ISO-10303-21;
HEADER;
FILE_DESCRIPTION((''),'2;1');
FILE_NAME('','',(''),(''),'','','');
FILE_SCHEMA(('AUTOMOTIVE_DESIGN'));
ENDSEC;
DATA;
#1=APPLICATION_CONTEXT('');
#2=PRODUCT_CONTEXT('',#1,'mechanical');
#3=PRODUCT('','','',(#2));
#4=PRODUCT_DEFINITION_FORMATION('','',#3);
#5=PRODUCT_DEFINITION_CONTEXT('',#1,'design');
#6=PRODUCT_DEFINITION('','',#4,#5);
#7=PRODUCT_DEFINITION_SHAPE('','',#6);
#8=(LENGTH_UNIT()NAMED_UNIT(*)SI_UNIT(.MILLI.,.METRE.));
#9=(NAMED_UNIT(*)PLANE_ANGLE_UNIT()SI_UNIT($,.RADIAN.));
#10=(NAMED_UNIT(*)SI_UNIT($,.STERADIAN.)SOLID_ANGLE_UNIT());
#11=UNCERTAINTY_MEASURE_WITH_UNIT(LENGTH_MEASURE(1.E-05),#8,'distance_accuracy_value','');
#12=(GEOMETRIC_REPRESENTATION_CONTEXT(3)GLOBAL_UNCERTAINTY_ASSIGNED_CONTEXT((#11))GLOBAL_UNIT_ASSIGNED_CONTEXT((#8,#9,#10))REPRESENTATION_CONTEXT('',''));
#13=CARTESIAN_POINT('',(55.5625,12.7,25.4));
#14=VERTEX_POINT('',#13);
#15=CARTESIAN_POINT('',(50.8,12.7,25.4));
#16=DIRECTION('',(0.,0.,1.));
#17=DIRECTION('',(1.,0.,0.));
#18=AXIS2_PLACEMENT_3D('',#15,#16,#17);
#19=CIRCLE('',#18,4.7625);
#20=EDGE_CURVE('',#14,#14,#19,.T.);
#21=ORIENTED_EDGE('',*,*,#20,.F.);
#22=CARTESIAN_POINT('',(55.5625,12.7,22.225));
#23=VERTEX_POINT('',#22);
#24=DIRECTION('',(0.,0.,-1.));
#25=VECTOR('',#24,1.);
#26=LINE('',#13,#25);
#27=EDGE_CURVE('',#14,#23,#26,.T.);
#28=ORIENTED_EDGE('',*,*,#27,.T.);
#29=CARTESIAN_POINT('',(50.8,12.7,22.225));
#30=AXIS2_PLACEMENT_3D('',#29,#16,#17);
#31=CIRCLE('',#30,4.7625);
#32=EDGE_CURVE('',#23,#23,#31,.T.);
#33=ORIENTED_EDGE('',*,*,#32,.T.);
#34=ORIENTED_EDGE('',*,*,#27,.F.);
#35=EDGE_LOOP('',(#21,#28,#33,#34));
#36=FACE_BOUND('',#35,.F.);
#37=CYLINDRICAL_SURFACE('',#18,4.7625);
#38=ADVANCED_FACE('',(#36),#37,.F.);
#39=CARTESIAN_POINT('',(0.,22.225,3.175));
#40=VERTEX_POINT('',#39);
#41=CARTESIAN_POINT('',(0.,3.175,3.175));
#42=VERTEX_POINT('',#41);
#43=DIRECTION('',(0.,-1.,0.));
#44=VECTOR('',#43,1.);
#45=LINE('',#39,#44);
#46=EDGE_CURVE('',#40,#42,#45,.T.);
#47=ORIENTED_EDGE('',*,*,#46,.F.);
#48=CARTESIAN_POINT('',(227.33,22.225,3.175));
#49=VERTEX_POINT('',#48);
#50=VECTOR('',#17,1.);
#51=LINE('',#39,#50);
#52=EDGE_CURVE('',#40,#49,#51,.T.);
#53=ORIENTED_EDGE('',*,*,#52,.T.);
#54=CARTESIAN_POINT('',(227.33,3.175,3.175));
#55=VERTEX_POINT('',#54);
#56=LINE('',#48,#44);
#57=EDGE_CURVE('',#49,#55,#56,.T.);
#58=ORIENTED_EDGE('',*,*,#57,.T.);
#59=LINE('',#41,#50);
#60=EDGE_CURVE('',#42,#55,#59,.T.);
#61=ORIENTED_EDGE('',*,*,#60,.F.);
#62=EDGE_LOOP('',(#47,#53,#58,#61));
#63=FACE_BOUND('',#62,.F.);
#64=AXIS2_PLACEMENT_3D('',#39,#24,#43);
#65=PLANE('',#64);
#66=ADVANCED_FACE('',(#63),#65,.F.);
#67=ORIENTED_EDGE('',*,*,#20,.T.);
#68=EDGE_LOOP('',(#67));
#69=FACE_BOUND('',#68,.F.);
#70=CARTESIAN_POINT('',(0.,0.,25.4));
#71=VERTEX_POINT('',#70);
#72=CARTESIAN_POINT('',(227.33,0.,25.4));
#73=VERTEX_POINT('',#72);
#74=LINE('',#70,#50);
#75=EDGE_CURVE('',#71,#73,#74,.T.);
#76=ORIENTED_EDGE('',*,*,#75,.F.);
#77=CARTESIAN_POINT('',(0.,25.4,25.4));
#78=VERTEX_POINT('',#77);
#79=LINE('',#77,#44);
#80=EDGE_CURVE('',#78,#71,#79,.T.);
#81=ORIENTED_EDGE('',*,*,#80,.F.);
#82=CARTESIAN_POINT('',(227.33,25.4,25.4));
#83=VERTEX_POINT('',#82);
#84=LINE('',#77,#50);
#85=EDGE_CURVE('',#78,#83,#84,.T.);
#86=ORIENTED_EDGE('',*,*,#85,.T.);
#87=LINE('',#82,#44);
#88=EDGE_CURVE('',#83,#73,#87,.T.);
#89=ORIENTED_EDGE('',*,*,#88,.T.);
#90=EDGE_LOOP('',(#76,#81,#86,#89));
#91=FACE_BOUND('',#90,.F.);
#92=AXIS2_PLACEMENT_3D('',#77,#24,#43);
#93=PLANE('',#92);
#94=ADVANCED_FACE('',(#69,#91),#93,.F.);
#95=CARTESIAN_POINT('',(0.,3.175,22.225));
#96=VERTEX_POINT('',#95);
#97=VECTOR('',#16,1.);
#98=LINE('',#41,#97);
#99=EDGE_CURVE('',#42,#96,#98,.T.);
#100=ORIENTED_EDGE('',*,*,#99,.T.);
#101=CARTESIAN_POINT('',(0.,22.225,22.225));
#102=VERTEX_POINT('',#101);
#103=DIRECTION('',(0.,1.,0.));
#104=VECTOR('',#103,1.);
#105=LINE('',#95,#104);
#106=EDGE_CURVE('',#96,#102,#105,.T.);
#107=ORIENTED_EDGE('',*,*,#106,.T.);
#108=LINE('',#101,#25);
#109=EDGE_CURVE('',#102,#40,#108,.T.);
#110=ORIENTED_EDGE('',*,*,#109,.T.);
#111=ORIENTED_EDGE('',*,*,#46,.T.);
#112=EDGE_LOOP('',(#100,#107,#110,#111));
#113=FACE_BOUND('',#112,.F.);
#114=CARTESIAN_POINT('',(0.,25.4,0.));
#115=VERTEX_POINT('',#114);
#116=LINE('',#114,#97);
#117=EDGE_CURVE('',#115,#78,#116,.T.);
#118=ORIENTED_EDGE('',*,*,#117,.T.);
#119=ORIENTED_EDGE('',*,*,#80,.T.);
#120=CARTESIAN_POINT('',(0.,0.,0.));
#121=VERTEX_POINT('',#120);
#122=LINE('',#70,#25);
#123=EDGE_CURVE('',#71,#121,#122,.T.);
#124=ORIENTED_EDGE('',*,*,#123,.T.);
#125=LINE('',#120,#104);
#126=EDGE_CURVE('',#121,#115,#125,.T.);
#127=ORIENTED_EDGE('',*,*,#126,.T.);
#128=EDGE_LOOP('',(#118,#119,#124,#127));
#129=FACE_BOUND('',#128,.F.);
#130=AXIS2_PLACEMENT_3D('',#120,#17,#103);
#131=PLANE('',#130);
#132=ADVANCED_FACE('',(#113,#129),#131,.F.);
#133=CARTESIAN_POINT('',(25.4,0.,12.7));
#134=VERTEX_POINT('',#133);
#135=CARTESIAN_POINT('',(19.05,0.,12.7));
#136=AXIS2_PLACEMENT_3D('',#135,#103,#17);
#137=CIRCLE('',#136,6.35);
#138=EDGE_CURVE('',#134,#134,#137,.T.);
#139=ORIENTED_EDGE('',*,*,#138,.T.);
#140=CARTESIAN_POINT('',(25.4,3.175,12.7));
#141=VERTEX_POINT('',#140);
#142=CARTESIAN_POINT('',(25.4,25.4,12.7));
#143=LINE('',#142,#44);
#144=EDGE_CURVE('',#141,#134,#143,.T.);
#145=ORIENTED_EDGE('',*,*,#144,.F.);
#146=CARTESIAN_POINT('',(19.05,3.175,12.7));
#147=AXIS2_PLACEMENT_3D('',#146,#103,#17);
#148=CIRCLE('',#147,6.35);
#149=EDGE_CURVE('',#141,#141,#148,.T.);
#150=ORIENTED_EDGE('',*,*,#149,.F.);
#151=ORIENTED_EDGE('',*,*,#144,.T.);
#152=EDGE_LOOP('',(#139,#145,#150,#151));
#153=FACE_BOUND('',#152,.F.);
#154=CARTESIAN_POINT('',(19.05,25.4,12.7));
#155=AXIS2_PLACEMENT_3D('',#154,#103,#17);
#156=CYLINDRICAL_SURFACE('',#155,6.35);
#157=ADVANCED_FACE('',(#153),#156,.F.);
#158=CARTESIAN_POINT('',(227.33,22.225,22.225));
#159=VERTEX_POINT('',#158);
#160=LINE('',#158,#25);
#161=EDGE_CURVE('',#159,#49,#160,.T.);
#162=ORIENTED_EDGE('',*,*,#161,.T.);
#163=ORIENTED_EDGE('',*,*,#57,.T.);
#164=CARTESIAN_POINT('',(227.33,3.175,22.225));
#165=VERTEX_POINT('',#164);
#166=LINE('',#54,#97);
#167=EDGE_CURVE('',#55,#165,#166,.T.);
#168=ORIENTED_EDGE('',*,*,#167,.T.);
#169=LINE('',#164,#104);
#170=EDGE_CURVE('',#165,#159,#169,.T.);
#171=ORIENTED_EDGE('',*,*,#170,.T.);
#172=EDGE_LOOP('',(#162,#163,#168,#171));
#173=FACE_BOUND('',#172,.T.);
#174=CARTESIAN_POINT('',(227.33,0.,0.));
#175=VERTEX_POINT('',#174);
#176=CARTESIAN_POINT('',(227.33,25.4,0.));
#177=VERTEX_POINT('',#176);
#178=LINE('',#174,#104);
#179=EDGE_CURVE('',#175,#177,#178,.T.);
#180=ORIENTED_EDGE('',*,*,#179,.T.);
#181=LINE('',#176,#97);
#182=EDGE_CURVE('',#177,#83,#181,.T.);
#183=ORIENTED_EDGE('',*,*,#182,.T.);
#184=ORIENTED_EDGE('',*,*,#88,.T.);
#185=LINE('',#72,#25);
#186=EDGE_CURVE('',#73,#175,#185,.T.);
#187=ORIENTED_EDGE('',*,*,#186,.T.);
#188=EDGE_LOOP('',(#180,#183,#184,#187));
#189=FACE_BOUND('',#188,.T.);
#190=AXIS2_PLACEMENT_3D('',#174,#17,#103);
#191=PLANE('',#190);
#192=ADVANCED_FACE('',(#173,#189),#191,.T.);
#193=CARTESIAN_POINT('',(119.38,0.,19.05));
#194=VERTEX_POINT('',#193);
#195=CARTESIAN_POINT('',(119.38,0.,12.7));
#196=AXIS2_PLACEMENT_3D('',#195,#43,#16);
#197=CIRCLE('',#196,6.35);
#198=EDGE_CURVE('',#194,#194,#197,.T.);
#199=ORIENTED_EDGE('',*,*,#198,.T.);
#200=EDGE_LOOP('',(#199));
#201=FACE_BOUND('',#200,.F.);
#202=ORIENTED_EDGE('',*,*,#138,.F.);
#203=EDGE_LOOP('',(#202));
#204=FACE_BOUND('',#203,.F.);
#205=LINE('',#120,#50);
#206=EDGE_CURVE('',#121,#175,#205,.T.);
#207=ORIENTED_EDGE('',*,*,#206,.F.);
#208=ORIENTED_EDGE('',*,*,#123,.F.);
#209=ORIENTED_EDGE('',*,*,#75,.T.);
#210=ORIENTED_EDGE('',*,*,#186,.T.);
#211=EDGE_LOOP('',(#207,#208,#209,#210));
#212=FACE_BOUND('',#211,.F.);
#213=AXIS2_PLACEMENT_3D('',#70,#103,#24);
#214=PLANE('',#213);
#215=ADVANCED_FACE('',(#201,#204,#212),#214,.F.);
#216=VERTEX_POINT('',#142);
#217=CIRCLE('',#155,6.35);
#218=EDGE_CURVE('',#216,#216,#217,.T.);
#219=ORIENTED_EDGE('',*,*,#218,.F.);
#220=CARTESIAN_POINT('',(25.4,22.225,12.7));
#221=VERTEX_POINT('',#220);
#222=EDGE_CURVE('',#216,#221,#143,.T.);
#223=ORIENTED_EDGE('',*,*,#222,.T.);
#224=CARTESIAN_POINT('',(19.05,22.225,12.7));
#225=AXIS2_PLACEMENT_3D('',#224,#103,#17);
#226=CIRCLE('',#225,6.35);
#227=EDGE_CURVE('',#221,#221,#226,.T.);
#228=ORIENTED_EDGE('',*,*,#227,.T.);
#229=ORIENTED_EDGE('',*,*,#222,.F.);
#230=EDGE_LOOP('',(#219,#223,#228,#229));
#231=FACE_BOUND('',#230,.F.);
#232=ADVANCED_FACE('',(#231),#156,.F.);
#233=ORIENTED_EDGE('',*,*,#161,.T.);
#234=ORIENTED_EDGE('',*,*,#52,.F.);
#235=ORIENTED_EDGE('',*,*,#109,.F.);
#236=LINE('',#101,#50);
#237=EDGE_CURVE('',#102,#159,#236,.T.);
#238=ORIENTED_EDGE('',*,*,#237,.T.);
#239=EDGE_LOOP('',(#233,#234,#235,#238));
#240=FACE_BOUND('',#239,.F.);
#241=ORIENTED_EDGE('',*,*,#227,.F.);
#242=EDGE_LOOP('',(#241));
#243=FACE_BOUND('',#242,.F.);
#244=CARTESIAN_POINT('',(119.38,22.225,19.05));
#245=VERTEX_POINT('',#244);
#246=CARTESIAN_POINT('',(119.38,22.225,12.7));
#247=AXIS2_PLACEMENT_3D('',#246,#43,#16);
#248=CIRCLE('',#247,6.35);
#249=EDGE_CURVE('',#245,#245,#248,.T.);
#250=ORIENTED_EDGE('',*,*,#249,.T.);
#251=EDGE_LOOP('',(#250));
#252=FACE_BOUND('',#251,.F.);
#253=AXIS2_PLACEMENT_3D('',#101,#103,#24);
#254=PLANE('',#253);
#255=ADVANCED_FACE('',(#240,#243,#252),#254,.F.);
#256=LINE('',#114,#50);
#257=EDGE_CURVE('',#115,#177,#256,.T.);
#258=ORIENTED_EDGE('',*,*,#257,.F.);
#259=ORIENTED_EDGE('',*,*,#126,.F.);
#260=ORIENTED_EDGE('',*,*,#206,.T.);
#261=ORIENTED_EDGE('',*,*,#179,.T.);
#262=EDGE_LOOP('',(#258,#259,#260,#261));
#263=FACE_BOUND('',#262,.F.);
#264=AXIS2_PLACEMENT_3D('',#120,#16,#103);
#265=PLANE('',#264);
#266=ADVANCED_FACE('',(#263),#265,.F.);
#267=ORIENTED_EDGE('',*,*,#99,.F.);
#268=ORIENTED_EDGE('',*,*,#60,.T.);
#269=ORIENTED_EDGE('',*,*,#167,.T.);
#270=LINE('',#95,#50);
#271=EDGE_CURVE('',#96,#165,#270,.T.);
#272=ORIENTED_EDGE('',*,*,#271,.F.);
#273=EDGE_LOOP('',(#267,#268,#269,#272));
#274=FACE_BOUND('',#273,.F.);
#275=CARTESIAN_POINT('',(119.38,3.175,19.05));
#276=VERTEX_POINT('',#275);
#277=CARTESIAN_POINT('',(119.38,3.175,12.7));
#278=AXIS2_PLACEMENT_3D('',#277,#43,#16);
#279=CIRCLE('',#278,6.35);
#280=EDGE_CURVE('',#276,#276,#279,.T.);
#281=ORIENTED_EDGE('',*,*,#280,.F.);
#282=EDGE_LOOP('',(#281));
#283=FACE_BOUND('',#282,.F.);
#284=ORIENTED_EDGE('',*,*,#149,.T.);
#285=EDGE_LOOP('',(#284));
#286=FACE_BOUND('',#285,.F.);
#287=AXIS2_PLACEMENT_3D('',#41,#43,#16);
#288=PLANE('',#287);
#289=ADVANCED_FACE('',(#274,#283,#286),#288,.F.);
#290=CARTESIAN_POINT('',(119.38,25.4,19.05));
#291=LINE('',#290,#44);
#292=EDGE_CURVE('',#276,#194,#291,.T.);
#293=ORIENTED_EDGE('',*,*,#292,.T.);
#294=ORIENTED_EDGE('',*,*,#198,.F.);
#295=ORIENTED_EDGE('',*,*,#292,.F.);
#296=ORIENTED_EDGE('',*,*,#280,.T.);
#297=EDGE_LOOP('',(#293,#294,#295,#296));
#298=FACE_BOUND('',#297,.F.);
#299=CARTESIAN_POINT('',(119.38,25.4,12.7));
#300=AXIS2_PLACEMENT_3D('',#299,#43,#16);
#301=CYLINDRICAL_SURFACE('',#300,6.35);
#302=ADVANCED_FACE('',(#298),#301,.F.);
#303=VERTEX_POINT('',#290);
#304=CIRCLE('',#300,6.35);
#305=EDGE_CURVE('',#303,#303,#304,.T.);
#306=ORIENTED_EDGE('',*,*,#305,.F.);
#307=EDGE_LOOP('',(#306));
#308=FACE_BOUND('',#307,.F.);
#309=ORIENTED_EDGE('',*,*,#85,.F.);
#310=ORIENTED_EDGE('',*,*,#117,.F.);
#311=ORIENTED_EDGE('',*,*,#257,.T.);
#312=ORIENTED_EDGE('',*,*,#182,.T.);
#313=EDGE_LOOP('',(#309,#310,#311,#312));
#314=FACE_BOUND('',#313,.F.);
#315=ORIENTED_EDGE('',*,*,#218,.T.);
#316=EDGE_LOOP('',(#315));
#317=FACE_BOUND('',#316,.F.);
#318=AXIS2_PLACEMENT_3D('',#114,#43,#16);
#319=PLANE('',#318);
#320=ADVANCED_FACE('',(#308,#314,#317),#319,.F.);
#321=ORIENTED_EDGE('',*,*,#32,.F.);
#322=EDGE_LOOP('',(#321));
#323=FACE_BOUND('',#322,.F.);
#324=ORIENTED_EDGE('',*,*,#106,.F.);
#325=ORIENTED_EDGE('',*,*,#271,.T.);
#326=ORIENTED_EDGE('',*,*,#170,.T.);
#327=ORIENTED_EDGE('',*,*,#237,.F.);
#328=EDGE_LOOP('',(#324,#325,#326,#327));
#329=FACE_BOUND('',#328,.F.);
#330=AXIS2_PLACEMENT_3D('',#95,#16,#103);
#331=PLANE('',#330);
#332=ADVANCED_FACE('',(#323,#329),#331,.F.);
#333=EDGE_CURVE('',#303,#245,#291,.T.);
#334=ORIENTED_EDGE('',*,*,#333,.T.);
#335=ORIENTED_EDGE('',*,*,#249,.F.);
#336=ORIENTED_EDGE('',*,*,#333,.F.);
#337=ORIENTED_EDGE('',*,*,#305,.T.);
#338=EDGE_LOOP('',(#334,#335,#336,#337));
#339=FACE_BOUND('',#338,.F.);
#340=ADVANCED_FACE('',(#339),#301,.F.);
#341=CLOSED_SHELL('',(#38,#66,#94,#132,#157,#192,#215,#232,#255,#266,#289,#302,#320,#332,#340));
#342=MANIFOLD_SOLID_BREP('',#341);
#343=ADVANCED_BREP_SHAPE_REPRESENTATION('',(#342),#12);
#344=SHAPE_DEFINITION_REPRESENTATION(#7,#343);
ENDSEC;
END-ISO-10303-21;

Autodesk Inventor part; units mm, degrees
ref_plane "YZ Plane" through (0, 0, 0) normal (1, 0, 0) x (0, 1, 0)
ref_plane "XZ Plane" through (0, 0, 0) normal (0, 1, 0) x (-1, 0, 0)
ref_plane "XY Plane" through (0, 0, 0) normal (0, 0, 1) x (1, 0, 0)
sketch "Sketch1" plane through (0, 0, 0) normal (1, 0, 0) x (0, 1, 0)
  line L0 (0, 0) -> (25.4, 0)
  line L1 (25.4, 0) -> (25.4, 25.4)
  line L2 (25.4, 25.4) -> (0, 25.4)
  line L3 (0, 25.4) -> (0, 0)
  line L4 (3.175, 22.225) -> (22.225, 22.225)
  line L5 (22.225, 22.225) -> (22.225, 3.175)
  line L6 (22.225, 3.175) -> (3.175, 3.175)
  line L7 (3.175, 3.175) -> (3.175, 22.225)
  dimension "d0" = 25.4
  dimension "d1" = 25.4
  dimension "d2" = 3.175
extrude "Extrusion1" add sketch "Sketch1" along normal blind 227.33
sketch "Sketch2" plane through (0, 25.4, 25.4) normal (0, 1, 0) x (1, 0, 0)
  line L0 (0, 25.4) -> (0, 0) projected
  line L1 (0, 25.4) -> (227.33, 25.4) projected
  circle A0 centre (19.05, 12.7) radius 6.35
  dimension "d5" = 12.7
  dimension "d6" = 12.7
  dimension "d7" = 19.05
extrude "Extrusion2" cut sketch "Sketch2" against normal blind 25.4
sketch "Sketch3" plane through (0, 0, 25.4) normal (0, 0, 1) x (1, 0, 0)
  line L0 (0, 25.4) -> (0, 0) projected
  line L1 (0, 25.4) -> (227.33, 25.4) projected
  circle A0 centre (50.8, 12.7) radius 4.7625
  dimension "d10" = 9.525
  dimension "d11" = 50.8
  dimension "d12" = 12.7
extrude "Extrusion3" cut sketch "Sketch3" against normal up to next
sketch "Sketch4" plane through (0, 25.4, 25.4) normal (0, 1, 0) x (1, 0, 0)
  line L0 (227.33, 25.4) -> (227.33, 0) projected
  line L1 (0, 25.4) -> (227.33, 25.4) projected
  point P0 (119.38, 12.7)
  dimension "d15" = 12.7
  dimension "d16" = 107.95
hole "Hole1" at (119.38, 25.4, 12.7) direction (0, -1, 0) diameter 12.7 end through all
properties part number "Box 9 inch" material "Aluminum 6061"
